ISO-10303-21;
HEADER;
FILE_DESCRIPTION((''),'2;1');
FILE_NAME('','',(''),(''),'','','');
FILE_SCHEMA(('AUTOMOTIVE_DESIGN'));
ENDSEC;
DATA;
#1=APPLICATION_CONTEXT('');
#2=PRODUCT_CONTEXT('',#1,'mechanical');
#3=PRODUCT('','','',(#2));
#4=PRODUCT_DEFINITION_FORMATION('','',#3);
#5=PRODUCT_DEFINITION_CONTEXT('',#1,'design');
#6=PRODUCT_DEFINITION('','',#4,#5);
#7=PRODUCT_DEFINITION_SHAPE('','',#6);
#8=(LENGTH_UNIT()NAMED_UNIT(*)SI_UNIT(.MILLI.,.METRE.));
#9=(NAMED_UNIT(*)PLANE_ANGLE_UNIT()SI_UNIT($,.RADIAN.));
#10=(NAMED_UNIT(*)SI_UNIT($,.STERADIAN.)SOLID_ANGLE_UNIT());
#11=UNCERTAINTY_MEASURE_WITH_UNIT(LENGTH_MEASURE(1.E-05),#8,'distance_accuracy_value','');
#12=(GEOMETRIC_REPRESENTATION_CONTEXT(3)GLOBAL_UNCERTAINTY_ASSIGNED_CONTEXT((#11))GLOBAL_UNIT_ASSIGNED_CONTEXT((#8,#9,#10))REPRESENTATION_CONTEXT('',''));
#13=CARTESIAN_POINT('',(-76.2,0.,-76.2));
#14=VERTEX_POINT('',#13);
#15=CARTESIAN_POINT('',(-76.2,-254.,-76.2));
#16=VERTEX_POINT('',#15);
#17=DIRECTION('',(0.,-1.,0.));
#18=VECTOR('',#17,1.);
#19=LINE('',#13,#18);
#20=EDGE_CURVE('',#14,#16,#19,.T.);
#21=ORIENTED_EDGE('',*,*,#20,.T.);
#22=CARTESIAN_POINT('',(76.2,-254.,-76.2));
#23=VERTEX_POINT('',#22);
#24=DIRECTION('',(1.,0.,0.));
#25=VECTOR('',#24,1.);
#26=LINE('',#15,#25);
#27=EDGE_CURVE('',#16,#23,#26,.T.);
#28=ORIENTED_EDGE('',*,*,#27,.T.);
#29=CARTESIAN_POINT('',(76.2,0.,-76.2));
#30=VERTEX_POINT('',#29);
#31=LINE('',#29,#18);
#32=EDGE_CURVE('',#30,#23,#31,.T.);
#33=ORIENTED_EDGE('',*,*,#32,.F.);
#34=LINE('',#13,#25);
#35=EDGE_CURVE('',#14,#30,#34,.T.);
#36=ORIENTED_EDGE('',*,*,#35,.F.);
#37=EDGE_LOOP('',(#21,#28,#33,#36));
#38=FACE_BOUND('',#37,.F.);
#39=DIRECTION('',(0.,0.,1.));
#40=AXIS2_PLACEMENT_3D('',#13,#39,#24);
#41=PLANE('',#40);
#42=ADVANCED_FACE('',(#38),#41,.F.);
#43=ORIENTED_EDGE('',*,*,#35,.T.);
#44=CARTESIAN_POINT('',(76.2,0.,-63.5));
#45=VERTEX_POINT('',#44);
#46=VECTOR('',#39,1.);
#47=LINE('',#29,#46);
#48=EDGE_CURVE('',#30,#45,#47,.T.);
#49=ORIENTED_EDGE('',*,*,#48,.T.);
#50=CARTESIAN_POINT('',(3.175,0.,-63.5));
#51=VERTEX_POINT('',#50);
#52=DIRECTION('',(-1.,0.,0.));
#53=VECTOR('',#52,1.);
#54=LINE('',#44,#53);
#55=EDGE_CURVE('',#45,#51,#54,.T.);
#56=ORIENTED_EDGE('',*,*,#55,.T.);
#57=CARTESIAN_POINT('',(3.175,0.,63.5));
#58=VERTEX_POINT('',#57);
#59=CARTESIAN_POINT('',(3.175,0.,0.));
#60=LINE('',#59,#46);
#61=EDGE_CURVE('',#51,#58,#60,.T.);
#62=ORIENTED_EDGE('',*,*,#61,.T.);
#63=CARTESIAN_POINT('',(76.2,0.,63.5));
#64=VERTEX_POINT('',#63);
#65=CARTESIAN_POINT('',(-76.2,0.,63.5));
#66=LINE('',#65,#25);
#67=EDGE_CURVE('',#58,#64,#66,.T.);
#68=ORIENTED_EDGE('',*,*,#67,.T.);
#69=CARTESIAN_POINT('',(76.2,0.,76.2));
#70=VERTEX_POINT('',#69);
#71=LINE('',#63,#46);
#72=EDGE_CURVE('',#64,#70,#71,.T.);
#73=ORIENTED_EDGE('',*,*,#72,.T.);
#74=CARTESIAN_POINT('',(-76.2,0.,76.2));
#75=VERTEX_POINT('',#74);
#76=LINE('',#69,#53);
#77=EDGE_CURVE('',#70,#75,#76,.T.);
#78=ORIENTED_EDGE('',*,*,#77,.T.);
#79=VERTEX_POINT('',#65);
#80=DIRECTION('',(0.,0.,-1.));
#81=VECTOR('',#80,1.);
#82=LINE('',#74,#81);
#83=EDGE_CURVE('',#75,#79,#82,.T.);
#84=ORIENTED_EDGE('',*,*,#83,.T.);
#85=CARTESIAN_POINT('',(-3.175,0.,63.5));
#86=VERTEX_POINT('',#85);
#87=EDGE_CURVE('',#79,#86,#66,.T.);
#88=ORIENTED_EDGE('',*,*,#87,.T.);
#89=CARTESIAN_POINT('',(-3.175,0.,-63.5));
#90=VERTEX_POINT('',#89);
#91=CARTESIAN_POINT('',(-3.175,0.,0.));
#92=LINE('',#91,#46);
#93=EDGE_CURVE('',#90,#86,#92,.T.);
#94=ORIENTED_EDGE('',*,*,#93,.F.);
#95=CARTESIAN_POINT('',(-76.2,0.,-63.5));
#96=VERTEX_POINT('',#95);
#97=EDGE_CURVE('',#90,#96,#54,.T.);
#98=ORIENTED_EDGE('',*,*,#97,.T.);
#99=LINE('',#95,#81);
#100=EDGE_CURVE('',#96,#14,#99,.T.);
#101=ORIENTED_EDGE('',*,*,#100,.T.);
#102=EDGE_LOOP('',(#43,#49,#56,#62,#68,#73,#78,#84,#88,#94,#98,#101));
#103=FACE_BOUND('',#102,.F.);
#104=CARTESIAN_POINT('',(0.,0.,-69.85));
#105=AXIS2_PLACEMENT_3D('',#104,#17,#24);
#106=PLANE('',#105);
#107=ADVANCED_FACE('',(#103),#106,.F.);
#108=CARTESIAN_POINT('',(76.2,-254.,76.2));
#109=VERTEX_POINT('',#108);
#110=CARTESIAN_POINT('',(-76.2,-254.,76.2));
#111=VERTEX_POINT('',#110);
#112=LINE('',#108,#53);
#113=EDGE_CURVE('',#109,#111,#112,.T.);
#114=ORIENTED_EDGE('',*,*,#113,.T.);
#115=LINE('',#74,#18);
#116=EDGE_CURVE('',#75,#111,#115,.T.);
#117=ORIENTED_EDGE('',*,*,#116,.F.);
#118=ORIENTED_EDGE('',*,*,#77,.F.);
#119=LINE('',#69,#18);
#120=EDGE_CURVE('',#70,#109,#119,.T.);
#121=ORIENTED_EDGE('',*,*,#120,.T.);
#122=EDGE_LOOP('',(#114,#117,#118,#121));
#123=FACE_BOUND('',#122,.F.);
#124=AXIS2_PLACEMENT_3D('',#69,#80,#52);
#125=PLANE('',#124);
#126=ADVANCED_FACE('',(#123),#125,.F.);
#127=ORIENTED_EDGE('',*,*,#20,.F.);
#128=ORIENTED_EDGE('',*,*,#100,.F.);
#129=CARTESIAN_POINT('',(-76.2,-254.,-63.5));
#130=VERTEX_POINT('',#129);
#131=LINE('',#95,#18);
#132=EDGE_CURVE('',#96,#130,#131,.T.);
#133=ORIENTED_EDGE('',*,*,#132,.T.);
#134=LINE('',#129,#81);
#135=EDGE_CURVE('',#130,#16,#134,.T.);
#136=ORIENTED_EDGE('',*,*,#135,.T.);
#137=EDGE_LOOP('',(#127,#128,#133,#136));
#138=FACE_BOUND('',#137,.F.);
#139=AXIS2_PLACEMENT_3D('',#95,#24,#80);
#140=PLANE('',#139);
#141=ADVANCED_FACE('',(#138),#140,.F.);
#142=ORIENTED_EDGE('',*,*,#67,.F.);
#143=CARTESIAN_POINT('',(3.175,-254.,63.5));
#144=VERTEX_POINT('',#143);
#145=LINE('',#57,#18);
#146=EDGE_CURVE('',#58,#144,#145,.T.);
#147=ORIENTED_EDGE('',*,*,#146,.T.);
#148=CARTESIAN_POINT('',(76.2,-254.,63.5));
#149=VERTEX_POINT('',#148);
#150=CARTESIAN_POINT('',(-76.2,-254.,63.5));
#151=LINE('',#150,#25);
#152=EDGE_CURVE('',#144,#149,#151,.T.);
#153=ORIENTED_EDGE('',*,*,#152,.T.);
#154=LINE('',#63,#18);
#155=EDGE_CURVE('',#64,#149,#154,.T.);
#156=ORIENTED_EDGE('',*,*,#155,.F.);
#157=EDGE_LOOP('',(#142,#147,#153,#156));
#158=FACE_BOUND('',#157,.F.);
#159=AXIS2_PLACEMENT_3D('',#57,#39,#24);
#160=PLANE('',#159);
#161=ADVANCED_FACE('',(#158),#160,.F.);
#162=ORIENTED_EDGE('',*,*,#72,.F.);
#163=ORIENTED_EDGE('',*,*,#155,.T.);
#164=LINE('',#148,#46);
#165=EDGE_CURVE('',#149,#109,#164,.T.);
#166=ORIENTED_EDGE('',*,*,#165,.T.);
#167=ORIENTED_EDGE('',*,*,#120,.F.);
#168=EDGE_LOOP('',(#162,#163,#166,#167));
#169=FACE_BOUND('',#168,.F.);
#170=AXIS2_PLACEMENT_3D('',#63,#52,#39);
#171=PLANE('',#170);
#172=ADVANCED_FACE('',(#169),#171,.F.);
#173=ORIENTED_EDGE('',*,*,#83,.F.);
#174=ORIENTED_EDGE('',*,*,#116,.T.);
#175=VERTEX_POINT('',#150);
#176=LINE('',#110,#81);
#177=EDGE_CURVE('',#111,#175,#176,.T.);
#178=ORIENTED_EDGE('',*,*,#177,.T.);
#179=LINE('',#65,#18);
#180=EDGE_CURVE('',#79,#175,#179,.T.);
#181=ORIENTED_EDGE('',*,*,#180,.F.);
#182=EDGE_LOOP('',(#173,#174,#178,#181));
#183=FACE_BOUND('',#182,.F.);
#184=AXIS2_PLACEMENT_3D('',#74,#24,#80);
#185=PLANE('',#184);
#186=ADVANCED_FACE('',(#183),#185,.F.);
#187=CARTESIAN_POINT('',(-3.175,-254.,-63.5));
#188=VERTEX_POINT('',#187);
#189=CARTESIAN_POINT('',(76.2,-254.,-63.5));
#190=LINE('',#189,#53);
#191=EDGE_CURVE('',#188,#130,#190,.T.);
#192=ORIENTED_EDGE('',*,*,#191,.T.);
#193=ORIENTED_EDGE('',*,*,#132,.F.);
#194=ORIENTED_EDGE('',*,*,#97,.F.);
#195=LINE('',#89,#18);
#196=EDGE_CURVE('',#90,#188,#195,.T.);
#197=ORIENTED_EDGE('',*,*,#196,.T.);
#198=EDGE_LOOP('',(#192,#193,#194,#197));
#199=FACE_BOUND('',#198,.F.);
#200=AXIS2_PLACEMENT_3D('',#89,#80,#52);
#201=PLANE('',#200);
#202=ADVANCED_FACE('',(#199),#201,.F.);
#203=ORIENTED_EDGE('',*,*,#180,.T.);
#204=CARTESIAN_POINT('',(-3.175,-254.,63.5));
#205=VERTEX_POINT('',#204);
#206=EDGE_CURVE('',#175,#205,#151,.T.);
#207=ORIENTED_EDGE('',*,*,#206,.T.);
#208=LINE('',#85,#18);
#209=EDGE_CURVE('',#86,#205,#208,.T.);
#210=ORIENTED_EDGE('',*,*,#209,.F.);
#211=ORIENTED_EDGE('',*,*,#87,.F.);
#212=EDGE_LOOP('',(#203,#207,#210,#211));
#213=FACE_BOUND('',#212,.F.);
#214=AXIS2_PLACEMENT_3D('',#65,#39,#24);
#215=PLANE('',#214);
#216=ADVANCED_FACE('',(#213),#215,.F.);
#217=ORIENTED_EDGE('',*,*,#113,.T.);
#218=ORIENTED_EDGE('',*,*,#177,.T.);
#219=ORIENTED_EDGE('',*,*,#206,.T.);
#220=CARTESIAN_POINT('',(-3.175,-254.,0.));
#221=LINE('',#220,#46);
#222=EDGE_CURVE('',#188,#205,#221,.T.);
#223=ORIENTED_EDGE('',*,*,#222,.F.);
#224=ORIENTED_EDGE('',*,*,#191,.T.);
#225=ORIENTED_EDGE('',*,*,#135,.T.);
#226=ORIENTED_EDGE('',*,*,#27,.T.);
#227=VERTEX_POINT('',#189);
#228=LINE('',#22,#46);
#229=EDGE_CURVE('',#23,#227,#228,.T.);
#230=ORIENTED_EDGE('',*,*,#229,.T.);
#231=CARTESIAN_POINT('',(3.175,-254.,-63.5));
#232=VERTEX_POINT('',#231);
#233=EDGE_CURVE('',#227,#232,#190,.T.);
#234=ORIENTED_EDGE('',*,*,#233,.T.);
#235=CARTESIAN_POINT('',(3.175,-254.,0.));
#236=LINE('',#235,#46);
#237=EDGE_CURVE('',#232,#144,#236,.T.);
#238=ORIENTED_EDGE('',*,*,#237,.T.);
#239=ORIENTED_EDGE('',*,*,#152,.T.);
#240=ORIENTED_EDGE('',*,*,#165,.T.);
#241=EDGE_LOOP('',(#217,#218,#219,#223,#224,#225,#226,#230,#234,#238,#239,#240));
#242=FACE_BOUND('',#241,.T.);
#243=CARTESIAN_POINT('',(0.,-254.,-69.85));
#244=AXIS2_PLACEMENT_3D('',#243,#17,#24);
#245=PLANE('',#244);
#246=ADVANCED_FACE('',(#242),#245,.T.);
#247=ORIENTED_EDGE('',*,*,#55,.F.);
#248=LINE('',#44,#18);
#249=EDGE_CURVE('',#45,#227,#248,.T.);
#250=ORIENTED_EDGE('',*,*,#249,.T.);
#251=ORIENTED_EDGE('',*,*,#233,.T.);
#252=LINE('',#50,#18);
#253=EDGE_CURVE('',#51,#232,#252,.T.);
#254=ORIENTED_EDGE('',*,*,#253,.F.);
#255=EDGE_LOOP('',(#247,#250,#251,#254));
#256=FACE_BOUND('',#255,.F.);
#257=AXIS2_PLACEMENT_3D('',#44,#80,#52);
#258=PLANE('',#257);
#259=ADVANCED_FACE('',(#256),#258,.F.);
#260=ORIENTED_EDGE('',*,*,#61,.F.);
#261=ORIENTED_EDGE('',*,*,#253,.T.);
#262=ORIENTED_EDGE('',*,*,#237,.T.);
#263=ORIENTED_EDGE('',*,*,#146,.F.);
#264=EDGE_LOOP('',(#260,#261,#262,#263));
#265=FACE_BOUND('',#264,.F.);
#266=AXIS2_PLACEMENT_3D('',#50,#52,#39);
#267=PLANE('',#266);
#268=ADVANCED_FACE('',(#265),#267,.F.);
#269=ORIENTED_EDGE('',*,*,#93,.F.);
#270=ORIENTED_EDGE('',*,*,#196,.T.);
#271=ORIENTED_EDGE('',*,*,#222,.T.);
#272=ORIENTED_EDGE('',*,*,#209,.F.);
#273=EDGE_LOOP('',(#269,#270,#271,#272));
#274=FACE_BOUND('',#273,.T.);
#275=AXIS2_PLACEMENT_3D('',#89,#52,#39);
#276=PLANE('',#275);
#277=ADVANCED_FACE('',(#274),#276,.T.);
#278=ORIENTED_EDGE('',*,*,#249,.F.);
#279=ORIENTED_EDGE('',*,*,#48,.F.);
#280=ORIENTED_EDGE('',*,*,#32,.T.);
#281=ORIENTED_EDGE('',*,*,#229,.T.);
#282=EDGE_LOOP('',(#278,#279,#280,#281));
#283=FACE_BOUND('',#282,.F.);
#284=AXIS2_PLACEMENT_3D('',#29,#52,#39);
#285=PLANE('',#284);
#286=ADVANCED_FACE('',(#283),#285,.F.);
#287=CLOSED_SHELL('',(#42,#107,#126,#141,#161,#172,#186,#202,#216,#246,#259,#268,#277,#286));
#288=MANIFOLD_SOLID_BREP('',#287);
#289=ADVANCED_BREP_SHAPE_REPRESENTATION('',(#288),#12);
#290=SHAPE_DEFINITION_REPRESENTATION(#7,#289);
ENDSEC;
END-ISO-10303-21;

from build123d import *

# Parameters (mm, degrees)
F0_W     = 6.35
F0_H     = 127
F1_DEPTH = 254


with BuildPart() as f1:
    # F0 (on Front) → F1 (new body)
    with BuildSketch(Plane.XZ):
        Polygon((76.2, -63.5), (3.175, -63.5), (-3.175, -63.5), (-76.2, -63.5), (-76.2, -76.2), (76.2, -76.2), align=None)
        Polygon((-3.175, 63.5), (3.175, 63.5), (76.2, 63.5), (76.2, 76.2), (-76.2, 76.2), (-76.2, 63.5), align=None)
        Rectangle(F0_W, F0_H)
    extrude(amount=F1_DEPTH)


solid = f1.part
